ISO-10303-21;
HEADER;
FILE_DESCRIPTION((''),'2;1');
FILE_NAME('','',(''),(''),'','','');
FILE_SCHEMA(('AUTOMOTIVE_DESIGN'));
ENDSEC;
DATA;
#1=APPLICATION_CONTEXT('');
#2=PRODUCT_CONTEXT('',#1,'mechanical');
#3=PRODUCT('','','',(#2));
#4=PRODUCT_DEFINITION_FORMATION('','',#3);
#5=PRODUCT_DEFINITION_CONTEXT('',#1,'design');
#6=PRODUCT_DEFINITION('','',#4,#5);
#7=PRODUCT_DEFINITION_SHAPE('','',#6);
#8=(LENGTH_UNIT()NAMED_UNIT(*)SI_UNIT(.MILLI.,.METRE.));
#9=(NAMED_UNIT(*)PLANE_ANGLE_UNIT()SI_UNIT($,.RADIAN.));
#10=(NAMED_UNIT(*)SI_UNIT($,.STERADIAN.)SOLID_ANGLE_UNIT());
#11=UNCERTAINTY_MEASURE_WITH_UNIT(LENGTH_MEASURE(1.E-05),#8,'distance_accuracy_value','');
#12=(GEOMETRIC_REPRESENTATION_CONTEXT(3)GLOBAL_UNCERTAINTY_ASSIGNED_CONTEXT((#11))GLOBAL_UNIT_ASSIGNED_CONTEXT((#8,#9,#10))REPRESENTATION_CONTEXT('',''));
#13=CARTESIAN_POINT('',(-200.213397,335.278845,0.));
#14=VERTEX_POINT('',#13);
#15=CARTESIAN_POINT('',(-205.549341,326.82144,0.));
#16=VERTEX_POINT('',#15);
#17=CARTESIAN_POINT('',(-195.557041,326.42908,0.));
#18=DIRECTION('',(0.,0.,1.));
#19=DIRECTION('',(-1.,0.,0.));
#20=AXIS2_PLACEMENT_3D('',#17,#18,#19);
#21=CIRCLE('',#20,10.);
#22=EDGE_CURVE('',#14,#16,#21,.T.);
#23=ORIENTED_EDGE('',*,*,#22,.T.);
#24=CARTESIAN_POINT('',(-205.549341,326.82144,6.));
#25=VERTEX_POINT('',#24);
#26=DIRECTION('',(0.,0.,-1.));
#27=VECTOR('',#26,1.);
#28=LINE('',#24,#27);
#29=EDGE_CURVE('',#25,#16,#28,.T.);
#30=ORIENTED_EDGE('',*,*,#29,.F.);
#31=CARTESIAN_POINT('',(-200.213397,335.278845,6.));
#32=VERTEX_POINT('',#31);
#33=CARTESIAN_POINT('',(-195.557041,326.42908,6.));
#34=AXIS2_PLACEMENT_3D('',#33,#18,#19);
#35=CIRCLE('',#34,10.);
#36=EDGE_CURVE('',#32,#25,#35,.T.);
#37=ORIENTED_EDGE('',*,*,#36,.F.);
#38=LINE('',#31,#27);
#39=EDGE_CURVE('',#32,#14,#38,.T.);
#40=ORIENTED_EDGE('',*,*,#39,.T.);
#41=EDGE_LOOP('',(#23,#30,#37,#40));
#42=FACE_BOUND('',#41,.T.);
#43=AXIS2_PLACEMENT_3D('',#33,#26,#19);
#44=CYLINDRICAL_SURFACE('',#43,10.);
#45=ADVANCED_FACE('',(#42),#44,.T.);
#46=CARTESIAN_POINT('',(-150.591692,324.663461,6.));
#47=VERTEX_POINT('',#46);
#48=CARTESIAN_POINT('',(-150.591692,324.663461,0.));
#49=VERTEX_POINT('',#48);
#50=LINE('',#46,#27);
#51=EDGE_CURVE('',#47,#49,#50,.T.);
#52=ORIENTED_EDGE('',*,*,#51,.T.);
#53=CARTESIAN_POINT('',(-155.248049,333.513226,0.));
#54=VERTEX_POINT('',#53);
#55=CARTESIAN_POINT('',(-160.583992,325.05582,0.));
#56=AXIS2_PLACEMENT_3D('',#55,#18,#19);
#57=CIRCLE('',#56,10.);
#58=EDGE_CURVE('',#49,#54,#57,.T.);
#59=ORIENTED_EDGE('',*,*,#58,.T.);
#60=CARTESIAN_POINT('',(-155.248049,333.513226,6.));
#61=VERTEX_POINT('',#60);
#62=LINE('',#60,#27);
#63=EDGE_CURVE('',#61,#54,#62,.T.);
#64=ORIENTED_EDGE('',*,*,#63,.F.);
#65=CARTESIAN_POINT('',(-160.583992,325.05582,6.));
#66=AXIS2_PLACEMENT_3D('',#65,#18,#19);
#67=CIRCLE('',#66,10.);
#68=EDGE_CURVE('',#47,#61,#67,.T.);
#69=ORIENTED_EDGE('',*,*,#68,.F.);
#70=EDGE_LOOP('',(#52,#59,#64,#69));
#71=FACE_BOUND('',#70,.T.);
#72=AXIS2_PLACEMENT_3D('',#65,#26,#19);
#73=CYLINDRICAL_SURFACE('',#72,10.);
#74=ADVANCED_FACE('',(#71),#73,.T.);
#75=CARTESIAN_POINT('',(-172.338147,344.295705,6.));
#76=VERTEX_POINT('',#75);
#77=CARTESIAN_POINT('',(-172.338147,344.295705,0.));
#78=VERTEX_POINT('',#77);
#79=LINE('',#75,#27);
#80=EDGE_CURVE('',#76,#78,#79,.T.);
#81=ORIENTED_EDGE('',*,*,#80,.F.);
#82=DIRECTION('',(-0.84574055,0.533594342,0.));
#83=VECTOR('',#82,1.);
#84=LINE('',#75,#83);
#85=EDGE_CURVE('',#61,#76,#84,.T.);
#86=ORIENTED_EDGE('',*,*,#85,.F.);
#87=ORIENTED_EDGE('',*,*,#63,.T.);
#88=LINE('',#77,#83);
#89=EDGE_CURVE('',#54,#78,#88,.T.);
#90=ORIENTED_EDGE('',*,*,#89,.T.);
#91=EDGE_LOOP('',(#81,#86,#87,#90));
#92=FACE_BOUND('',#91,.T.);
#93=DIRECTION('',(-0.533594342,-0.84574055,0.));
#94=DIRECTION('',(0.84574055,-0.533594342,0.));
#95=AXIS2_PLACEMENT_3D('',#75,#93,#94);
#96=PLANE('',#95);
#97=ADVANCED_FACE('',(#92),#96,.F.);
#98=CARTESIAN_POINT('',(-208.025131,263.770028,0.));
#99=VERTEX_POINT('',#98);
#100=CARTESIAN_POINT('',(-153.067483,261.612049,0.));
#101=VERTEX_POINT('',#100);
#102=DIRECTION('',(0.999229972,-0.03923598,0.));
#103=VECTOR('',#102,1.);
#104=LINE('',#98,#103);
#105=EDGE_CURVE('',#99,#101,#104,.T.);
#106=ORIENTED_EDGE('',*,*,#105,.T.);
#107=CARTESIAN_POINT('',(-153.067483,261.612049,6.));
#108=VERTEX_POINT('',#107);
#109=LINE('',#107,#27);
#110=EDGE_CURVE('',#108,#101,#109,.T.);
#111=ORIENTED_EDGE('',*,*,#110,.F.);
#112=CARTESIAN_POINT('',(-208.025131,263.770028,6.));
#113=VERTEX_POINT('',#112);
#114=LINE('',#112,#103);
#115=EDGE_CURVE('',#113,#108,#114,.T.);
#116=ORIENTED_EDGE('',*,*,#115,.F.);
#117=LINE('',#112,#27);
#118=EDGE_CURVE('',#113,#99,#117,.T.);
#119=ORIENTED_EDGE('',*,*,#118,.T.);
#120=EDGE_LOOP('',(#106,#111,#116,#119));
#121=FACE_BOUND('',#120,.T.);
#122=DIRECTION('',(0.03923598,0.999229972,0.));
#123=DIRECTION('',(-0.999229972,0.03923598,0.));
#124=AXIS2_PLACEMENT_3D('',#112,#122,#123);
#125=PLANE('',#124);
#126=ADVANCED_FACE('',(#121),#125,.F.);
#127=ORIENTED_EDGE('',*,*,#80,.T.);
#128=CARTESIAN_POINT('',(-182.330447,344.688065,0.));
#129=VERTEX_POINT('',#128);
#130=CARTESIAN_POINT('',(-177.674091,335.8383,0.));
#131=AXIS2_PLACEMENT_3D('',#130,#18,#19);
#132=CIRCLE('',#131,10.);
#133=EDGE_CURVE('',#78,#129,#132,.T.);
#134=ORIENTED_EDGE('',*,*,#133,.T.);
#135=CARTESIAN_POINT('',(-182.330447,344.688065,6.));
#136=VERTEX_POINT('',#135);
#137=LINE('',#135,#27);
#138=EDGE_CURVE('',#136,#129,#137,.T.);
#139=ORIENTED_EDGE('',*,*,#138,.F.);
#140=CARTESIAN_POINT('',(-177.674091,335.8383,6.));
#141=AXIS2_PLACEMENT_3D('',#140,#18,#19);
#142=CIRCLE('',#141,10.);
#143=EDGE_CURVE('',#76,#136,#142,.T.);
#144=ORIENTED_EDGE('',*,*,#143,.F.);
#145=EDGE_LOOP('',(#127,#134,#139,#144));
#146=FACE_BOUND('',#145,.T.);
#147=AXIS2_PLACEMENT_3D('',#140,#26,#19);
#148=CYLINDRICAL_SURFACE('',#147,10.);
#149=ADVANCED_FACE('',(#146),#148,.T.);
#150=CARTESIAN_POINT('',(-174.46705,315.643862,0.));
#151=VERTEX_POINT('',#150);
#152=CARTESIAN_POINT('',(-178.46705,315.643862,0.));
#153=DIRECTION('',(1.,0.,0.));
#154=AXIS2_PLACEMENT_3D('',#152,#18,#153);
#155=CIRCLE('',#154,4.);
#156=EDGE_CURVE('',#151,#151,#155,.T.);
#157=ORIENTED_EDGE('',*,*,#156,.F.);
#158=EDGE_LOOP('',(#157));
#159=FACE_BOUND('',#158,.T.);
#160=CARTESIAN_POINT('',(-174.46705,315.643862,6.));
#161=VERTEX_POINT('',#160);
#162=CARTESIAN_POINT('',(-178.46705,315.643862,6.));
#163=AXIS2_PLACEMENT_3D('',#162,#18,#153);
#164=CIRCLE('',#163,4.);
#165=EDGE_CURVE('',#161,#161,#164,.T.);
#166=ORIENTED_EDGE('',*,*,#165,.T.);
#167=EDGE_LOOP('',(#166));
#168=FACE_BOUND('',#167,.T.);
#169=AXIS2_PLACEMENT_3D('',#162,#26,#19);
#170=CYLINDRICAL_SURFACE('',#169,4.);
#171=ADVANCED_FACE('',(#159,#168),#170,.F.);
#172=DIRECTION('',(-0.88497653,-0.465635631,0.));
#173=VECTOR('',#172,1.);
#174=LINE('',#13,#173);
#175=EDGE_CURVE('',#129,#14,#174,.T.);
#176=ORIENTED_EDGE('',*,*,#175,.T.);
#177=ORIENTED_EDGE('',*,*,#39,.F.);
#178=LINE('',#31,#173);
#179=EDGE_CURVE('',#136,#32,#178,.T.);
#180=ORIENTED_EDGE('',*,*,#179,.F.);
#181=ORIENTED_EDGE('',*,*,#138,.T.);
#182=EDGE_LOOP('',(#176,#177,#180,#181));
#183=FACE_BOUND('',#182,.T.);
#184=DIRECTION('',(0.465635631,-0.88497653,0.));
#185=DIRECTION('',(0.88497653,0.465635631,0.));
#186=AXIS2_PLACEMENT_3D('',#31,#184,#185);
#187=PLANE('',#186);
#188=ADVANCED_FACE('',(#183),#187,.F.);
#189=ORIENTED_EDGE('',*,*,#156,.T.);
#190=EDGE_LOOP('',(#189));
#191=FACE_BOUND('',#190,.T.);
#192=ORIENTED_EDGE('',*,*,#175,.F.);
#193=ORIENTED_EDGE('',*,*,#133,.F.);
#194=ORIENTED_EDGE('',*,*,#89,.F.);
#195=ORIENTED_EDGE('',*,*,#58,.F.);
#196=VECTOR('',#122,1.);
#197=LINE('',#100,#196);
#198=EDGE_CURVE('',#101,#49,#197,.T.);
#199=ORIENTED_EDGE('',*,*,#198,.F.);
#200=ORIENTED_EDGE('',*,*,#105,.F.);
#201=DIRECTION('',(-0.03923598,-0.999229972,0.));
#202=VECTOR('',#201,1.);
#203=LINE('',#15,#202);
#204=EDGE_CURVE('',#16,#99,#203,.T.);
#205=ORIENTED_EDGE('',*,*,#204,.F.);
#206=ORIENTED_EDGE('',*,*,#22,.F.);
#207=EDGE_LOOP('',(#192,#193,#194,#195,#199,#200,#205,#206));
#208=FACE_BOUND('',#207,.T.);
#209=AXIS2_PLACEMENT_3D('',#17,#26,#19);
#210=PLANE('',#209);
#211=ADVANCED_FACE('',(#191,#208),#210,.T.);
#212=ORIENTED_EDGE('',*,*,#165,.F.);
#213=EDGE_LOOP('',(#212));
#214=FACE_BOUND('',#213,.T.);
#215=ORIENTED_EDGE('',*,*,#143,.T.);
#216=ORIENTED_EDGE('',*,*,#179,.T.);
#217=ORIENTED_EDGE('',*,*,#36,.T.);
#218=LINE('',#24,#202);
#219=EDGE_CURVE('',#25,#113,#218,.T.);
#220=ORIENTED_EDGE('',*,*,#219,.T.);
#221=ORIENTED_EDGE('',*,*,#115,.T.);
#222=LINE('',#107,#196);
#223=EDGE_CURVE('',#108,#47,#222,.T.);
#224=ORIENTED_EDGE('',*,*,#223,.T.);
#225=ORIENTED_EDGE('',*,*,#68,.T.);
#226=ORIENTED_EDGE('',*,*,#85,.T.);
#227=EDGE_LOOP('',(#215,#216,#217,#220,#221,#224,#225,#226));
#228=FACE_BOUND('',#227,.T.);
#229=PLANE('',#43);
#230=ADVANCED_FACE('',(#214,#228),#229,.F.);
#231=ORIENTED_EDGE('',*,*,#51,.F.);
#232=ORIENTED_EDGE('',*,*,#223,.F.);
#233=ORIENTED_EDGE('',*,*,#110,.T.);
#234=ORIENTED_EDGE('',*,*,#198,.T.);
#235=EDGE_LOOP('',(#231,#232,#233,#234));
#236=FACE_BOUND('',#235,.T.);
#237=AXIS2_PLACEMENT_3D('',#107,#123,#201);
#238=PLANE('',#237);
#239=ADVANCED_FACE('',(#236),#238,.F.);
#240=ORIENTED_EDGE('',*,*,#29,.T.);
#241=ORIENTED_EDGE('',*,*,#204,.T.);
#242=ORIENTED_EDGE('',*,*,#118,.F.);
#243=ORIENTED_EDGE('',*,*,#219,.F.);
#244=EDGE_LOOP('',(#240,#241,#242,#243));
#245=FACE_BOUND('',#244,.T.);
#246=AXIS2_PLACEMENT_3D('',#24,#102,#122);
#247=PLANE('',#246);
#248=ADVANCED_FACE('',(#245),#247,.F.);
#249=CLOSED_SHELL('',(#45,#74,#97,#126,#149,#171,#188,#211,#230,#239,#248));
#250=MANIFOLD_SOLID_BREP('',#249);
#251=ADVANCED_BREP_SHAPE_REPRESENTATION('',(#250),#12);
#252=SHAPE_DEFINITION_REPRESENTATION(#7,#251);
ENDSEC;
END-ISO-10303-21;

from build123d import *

# Parameters (mm, degrees)
SKETCH1_R           = 4
BOSS_EXTRUDE1_DEPTH = 6


with BuildPart() as part:
    # Sketch1 → Boss-Extrude1 (new body)
    with BuildSketch(Plane.XY):
        with BuildLine():
            Line((-200.213397345, 335.278845102), (-182.330447011, 344.688065085))
            ThreePointArc((-182.330447011, 344.688065085), (-177.281730902, 345.830599505), (-172.338147286, 344.295705283))
            Line((-172.338147286, 344.295705283), (-155.248048584, 333.513225991))
            ThreePointArc((-155.248048584, 333.513225991), (-151.734226698, 329.712176794), (-150.591692278, 324.663460686))
            Line((-150.591692278, 324.663460686), (-153.067482632, 261.612049424))
            Line((-153.067482632, 261.612049424), (-208.025131117, 263.770028338))
            Line((-208.025131117, 263.770028338), (-205.549340763, 326.8214396))
            ThreePointArc((-205.549340763, 326.8214396), (-204.014446541, 331.765023216), (-200.213397345, 335.278845102))
        make_face()
        with Locations((-178.467049866, 315.643862037)):
            Circle(SKETCH1_R, mode=Mode.SUBTRACT)
    extrude(amount=BOSS_EXTRUDE1_DEPTH)


solid = part.part
